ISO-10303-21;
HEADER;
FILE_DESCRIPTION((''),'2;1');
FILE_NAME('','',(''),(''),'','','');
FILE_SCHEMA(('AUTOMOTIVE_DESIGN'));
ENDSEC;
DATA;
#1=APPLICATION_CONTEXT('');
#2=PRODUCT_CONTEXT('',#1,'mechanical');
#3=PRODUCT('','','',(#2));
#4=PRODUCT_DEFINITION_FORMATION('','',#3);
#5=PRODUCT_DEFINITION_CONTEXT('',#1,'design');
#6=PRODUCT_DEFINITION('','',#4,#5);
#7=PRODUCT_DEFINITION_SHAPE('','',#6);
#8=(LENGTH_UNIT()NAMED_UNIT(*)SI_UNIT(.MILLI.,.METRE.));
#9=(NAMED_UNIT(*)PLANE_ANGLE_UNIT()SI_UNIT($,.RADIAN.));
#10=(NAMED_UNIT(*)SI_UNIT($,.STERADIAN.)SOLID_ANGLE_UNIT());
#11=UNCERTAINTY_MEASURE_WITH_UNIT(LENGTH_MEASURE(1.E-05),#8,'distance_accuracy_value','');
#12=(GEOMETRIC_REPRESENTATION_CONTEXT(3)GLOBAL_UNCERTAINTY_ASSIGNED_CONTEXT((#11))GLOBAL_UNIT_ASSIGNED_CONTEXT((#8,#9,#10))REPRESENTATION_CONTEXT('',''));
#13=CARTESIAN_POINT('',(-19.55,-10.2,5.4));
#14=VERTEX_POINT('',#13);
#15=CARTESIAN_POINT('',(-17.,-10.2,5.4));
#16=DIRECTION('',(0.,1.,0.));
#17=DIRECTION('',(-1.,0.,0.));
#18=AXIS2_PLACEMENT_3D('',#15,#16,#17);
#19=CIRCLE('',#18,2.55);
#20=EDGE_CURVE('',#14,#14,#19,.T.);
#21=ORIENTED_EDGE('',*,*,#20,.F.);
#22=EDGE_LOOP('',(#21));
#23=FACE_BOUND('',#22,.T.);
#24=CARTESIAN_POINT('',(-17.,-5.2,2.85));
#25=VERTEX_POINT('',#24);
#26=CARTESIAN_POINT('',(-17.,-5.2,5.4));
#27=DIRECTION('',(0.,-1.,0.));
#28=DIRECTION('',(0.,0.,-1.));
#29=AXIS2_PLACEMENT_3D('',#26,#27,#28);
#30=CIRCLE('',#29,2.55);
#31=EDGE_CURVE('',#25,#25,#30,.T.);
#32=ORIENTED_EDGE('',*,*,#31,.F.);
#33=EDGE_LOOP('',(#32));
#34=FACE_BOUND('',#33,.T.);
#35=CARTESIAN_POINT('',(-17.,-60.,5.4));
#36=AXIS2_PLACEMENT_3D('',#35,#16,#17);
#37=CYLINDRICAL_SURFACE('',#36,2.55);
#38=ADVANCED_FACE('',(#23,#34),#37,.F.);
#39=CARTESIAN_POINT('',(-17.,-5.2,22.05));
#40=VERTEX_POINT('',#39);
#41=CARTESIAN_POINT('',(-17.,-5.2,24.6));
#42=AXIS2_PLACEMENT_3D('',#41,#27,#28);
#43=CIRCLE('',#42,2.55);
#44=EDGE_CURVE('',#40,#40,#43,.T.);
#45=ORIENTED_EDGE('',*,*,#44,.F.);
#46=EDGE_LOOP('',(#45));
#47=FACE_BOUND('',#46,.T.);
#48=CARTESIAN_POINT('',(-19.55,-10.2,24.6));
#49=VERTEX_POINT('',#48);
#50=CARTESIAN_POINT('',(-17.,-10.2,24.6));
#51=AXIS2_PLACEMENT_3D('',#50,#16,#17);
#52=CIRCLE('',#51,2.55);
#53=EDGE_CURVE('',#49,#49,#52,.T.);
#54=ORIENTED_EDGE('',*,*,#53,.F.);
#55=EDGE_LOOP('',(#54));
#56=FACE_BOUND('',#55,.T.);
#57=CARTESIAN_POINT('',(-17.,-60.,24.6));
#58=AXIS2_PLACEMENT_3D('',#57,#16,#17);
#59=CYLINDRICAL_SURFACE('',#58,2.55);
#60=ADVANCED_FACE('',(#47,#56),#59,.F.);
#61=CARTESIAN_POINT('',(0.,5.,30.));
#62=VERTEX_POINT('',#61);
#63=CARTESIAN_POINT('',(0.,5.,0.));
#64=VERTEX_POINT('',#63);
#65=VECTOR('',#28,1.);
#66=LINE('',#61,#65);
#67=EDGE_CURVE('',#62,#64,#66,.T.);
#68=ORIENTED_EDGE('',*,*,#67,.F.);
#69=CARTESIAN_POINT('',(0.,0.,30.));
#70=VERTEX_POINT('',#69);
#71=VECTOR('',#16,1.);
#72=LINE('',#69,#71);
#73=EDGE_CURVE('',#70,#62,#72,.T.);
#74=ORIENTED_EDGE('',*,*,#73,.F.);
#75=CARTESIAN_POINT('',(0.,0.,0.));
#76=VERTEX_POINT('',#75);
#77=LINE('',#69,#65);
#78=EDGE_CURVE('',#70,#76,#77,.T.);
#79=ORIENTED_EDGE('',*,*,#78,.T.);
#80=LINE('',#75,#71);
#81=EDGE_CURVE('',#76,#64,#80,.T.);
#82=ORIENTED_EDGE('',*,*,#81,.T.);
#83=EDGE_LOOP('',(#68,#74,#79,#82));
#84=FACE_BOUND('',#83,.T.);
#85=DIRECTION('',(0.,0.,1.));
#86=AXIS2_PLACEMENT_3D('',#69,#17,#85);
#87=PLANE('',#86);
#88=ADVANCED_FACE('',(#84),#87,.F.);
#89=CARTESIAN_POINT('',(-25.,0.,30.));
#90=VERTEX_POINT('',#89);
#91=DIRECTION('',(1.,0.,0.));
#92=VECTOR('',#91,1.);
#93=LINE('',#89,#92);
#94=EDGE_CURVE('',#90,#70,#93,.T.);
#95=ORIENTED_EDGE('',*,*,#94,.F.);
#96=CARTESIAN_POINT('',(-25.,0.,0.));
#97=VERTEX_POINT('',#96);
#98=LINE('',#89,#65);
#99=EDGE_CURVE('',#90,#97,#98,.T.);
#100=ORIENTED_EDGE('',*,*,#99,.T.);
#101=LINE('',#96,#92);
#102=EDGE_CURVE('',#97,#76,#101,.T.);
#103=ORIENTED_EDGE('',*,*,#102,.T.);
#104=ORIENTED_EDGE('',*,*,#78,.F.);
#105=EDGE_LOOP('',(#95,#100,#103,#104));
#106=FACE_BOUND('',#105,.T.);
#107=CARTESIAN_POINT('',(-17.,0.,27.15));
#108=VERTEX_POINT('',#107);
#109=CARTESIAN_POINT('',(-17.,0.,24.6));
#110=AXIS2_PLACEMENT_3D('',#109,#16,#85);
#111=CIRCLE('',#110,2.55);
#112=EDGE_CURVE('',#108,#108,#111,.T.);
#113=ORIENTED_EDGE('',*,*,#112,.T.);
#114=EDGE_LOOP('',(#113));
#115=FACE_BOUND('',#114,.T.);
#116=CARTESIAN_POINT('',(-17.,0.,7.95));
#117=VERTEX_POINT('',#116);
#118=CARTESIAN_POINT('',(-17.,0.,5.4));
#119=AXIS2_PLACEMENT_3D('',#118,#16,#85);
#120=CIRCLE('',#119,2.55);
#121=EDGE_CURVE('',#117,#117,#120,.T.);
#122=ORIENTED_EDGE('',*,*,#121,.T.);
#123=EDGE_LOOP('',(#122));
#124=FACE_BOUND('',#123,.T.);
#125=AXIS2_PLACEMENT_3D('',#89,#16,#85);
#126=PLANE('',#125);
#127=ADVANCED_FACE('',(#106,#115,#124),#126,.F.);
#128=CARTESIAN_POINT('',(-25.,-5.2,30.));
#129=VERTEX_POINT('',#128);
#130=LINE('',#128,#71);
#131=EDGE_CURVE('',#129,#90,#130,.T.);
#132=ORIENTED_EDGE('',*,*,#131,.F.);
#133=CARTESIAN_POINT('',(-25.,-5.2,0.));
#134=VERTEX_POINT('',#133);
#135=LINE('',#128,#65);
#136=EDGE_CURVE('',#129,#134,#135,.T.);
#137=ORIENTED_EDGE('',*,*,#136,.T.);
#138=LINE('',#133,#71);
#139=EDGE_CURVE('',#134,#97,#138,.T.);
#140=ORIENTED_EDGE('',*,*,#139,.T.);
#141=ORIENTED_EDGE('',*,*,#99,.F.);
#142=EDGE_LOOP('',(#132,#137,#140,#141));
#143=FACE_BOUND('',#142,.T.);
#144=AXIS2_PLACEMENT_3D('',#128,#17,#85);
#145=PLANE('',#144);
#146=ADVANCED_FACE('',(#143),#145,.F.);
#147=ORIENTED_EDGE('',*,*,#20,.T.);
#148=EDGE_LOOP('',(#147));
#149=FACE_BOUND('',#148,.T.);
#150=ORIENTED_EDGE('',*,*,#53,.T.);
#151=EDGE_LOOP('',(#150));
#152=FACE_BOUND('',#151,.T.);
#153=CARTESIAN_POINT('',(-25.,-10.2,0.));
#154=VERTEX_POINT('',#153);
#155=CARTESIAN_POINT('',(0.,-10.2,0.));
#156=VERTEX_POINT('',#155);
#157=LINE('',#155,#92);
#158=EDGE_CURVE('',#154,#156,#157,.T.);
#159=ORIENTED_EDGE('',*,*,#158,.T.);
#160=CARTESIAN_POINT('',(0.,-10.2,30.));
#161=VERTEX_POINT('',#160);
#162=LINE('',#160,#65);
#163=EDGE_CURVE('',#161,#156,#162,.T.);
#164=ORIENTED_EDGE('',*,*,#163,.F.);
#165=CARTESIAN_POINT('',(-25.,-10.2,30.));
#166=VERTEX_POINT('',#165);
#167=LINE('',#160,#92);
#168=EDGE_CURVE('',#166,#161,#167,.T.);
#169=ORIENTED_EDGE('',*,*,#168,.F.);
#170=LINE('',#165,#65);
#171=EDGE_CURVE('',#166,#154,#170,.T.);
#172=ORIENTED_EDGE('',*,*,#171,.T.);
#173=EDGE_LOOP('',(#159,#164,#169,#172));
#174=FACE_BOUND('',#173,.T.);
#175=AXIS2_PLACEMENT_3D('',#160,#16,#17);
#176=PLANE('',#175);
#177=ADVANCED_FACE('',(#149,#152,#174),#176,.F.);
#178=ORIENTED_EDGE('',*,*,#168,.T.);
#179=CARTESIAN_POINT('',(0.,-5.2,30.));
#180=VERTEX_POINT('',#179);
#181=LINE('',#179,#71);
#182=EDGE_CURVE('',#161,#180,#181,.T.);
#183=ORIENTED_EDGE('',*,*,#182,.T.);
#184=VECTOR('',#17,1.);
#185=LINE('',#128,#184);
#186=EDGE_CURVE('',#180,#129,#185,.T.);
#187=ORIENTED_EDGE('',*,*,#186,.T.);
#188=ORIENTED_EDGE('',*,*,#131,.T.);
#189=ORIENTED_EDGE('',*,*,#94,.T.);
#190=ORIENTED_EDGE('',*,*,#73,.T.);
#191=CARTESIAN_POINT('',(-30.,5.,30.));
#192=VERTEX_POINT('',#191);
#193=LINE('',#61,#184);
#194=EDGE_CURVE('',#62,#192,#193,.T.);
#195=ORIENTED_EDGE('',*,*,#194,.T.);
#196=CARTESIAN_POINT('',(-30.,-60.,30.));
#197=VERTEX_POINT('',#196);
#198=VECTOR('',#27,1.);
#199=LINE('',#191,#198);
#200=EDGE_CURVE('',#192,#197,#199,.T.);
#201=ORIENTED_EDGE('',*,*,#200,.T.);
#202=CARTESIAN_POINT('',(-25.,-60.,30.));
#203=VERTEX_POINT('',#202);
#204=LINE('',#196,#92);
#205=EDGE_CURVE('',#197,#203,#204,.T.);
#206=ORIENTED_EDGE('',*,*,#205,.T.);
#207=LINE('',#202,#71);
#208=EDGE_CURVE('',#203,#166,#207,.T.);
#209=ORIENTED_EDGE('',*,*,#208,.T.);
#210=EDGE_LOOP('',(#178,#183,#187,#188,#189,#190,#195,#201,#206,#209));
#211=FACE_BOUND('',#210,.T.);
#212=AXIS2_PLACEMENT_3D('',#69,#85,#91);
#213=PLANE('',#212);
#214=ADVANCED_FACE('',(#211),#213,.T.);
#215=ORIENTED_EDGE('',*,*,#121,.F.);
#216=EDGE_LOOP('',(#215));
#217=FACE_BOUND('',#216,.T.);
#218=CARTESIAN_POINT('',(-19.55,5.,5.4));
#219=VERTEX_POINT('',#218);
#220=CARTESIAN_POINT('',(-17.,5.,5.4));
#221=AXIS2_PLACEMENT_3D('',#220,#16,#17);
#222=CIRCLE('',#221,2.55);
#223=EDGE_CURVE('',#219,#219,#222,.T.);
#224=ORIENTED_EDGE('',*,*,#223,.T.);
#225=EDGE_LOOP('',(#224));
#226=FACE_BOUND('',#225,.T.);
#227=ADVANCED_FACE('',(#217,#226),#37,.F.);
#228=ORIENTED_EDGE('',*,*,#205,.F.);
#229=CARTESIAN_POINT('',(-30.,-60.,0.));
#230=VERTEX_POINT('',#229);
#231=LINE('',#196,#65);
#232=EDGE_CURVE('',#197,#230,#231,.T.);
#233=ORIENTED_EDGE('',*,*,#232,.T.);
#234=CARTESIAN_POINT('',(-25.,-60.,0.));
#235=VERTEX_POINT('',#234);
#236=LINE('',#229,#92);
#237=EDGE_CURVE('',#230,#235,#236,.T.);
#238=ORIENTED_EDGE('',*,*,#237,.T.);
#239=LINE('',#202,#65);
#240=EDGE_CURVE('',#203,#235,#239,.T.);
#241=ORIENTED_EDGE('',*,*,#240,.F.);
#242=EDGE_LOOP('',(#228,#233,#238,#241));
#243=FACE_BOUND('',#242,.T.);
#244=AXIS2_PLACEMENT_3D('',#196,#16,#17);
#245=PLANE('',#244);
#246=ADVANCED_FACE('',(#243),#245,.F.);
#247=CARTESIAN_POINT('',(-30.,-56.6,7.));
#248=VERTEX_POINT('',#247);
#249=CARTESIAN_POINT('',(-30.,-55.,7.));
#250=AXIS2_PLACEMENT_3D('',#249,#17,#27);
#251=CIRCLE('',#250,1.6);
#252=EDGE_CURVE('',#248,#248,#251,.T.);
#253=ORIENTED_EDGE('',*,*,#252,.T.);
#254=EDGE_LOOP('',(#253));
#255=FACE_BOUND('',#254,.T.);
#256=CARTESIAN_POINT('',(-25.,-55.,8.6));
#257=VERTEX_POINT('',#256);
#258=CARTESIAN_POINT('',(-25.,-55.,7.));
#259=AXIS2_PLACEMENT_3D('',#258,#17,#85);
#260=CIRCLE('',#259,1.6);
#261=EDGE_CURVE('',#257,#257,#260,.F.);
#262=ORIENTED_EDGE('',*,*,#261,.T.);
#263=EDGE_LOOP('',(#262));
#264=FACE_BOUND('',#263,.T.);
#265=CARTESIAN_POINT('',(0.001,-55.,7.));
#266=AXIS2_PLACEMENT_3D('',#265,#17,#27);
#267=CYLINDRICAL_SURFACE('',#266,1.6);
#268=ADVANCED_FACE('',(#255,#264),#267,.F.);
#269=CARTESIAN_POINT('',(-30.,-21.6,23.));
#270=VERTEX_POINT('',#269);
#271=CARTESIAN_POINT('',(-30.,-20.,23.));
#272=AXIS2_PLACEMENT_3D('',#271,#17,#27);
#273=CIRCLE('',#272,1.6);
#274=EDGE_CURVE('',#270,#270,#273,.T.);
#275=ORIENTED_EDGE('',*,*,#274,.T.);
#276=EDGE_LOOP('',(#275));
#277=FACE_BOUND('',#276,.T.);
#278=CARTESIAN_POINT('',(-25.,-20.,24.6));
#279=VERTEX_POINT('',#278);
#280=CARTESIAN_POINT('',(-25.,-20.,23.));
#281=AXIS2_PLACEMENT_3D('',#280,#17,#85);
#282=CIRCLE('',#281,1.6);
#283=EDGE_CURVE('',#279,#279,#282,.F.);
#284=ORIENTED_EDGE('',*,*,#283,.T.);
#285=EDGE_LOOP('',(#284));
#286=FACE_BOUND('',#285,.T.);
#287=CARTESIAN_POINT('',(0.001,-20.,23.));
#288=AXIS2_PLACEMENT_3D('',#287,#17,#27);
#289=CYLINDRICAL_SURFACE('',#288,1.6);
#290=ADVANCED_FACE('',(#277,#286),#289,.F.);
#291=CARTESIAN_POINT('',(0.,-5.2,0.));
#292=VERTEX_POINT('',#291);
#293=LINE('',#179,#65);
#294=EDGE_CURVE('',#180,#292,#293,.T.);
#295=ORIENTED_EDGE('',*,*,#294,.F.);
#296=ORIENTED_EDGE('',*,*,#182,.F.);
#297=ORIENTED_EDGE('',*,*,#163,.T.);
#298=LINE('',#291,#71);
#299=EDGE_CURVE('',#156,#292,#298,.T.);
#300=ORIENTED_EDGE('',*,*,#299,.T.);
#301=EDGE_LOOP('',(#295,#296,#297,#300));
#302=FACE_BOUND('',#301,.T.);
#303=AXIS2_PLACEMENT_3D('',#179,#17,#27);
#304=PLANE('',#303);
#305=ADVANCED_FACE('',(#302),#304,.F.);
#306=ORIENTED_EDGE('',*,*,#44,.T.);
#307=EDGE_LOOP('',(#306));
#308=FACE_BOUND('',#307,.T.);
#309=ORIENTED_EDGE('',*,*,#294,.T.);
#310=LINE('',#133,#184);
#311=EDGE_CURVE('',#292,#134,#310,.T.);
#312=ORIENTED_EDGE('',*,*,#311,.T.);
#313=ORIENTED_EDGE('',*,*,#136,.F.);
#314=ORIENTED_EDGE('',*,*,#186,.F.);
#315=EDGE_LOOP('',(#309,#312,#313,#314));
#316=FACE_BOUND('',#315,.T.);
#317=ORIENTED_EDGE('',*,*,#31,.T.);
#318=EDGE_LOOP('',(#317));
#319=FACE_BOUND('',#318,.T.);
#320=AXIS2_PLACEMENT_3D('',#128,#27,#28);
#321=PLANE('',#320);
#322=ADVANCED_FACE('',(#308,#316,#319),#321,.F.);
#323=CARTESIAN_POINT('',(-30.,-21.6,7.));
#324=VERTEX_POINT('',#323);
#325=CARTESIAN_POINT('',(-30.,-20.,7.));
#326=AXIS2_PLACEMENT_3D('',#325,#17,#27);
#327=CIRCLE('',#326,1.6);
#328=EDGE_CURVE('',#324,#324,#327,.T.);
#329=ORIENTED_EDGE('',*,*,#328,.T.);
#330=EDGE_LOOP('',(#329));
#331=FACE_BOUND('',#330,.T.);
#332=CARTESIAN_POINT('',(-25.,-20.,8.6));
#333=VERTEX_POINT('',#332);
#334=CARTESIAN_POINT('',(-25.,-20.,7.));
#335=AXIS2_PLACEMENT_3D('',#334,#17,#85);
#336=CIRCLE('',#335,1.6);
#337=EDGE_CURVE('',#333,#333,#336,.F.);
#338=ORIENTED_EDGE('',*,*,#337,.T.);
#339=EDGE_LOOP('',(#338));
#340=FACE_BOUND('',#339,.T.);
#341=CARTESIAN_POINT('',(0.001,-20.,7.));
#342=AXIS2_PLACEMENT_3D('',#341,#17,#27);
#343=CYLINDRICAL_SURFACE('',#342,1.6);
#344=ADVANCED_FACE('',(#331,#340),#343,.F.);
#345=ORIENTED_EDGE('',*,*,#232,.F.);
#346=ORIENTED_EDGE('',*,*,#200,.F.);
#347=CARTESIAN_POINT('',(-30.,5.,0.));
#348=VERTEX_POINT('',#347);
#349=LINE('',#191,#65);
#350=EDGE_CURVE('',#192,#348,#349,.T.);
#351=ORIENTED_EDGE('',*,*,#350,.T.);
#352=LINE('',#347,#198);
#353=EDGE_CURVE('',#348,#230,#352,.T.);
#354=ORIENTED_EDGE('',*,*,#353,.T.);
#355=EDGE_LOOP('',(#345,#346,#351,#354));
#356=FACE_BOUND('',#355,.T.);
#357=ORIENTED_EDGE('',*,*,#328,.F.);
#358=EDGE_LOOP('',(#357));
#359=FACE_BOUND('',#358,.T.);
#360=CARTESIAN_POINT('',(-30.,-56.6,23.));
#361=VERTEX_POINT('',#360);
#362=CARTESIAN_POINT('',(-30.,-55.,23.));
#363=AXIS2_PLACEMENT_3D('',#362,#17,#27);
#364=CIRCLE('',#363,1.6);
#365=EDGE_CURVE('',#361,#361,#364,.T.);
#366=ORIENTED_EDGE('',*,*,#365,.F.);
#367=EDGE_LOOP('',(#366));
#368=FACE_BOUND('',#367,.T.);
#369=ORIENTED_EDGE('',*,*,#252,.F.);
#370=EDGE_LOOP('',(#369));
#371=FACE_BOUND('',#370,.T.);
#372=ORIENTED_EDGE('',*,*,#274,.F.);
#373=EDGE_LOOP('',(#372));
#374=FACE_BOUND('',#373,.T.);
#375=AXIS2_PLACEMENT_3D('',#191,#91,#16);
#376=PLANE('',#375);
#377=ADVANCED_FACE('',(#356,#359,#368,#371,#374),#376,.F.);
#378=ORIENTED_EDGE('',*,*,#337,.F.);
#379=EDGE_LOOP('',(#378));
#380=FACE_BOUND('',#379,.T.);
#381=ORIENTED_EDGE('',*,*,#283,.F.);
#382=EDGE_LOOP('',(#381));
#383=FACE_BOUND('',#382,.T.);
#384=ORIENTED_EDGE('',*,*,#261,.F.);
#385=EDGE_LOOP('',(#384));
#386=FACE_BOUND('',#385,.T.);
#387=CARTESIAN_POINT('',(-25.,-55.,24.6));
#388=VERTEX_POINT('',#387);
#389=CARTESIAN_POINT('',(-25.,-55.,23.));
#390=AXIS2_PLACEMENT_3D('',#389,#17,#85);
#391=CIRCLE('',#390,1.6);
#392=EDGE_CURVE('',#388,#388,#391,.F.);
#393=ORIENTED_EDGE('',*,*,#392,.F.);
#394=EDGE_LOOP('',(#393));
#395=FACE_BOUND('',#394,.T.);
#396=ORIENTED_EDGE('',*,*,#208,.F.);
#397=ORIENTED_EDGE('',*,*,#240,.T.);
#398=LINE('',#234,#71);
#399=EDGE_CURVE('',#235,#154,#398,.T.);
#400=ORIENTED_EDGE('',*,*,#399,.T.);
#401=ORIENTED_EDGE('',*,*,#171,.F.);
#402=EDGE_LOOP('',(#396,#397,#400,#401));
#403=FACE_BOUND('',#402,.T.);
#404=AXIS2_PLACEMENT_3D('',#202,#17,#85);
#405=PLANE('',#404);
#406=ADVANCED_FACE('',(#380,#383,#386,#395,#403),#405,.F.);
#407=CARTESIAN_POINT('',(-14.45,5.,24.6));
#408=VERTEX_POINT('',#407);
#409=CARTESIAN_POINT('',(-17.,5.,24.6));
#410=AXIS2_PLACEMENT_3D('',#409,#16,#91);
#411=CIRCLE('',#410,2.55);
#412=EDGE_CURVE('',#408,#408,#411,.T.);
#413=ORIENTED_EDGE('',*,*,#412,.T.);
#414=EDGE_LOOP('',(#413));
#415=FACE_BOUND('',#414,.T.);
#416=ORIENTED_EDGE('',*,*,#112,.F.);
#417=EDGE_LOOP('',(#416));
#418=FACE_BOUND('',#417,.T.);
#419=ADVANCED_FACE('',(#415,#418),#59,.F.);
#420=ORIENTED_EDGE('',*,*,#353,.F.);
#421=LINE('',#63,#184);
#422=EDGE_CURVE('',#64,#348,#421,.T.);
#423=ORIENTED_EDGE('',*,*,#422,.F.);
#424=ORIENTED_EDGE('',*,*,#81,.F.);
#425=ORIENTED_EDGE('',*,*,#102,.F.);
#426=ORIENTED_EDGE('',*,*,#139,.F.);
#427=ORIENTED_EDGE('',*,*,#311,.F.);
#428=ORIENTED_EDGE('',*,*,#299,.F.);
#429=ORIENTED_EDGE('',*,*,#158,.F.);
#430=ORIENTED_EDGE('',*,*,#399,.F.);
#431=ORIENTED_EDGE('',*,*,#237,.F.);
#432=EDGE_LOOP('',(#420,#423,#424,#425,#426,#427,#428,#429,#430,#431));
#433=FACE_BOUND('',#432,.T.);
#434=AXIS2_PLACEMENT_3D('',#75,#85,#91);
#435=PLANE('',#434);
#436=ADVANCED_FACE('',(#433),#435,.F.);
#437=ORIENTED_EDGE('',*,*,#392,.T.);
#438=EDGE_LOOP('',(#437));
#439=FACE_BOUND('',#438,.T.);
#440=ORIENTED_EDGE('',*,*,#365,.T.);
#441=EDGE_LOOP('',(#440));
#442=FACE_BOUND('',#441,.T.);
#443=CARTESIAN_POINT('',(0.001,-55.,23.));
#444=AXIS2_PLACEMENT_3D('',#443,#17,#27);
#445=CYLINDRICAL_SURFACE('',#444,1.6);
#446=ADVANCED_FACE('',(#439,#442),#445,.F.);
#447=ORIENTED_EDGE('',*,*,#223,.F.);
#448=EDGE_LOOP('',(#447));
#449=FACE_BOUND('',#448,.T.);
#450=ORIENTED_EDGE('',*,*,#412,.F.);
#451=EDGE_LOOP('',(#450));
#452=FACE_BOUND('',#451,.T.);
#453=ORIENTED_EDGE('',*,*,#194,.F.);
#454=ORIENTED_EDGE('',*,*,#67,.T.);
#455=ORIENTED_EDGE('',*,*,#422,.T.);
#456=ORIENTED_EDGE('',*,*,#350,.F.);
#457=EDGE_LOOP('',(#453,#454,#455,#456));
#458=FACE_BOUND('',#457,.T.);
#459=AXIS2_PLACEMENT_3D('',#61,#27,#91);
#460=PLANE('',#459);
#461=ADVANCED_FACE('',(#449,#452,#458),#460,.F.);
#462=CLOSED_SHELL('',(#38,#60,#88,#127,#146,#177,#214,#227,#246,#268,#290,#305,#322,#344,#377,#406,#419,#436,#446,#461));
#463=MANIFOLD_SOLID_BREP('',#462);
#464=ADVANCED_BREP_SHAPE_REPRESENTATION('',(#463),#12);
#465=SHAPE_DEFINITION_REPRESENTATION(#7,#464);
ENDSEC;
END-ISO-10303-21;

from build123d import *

# Parameters (mm, degrees)
BOSS_EXTRUDE1_DEPTH = 30
CUT_EXTRUDE1_REACH  = 75.485
SKETCH2_R           = 1.6
SKETCH3_R           = 2.55
CUT_EXTRUDE2_DEPTH  = 78.620873481


with BuildPart() as part:
    # Sketch1 → Boss-Extrude1 (new body)
    with BuildSketch(Plane.XY):
        Polygon((0, 0), (0, 5), (-30, 5), (-30, -60), (-25, -60), (-25, -10.2), (0, -10.2), (0, -5.2), (-25, -5.2), (-25, 0), align=None)
    extrude(amount=BOSS_EXTRUDE1_DEPTH)

    # Sketch2 → Cut-Extrude1 (cut, up to next)
    with BuildSketch(Plane.ZY.offset(30), mode=Mode.PRIVATE) as cut_extrude1_sk1:
        with Locations(Location((7, -20, 0), (0, 0, 270))):
            Circle(SKETCH2_R)
    cut_extrude1_tool1 = extrude(cut_extrude1_sk1.sketch, amount=-CUT_EXTRUDE1_REACH, mode=Mode.PRIVATE) & part.part
    # Sketch2 → Cut-Extrude1 (cut, up to next)
    with BuildSketch(Plane.ZY.offset(30), mode=Mode.PRIVATE) as cut_extrude1_sk2:
        with Locations(Location((23, -20, 0), (0, 0, 270))):
            Circle(SKETCH2_R)
    cut_extrude1_tool2 = extrude(cut_extrude1_sk2.sketch, amount=-CUT_EXTRUDE1_REACH, mode=Mode.PRIVATE) & part.part
    # Sketch2 → Cut-Extrude1 (cut, up to next)
    with BuildSketch(Plane.ZY.offset(30), mode=Mode.PRIVATE) as cut_extrude1_sk3:
        with Locations(Location((7, -55, 0), (0, 0, 270))):
            Circle(SKETCH2_R)
    cut_extrude1_tool3 = extrude(cut_extrude1_sk3.sketch, amount=-CUT_EXTRUDE1_REACH, mode=Mode.PRIVATE) & part.part
    # Sketch2 → Cut-Extrude1 (cut, up to next)
    with BuildSketch(Plane.ZY.offset(30), mode=Mode.PRIVATE) as cut_extrude1_sk4:
        with Locations(Location((23, -55, 0), (0, 0, 270))):
            Circle(SKETCH2_R)
    cut_extrude1_tool4 = extrude(cut_extrude1_sk4.sketch, amount=-CUT_EXTRUDE1_REACH, mode=Mode.PRIVATE) & part.part
    add(cut_extrude1_tool1.solids().sort_by_distance((-30, -20, 7))[0], mode=Mode.SUBTRACT)
    add(cut_extrude1_tool2.solids().sort_by_distance((-30, -20, 23))[0], mode=Mode.SUBTRACT)
    add(cut_extrude1_tool3.solids().sort_by_distance((-30, -55, 7))[0], mode=Mode.SUBTRACT)
    add(cut_extrude1_tool4.solids().sort_by_distance((-30, -55, 23))[0], mode=Mode.SUBTRACT)

    # Sketch3 → Cut-Extrude2 (cut, through all)
    with BuildSketch(Plane(origin=(0, 5, 0), x_dir=(1, 0, 0), z_dir=(0, 1, 0))):
        with Locations(Location((-17, -5.4, 0), (0, 0, 180))):
            Circle(SKETCH3_R)
        with Locations(Location((-17, -24.6, 0), (0, 0, 180))):
            Circle(SKETCH3_R)
    extrude(amount=-CUT_EXTRUDE2_DEPTH, mode=Mode.SUBTRACT)


solid = part.part
